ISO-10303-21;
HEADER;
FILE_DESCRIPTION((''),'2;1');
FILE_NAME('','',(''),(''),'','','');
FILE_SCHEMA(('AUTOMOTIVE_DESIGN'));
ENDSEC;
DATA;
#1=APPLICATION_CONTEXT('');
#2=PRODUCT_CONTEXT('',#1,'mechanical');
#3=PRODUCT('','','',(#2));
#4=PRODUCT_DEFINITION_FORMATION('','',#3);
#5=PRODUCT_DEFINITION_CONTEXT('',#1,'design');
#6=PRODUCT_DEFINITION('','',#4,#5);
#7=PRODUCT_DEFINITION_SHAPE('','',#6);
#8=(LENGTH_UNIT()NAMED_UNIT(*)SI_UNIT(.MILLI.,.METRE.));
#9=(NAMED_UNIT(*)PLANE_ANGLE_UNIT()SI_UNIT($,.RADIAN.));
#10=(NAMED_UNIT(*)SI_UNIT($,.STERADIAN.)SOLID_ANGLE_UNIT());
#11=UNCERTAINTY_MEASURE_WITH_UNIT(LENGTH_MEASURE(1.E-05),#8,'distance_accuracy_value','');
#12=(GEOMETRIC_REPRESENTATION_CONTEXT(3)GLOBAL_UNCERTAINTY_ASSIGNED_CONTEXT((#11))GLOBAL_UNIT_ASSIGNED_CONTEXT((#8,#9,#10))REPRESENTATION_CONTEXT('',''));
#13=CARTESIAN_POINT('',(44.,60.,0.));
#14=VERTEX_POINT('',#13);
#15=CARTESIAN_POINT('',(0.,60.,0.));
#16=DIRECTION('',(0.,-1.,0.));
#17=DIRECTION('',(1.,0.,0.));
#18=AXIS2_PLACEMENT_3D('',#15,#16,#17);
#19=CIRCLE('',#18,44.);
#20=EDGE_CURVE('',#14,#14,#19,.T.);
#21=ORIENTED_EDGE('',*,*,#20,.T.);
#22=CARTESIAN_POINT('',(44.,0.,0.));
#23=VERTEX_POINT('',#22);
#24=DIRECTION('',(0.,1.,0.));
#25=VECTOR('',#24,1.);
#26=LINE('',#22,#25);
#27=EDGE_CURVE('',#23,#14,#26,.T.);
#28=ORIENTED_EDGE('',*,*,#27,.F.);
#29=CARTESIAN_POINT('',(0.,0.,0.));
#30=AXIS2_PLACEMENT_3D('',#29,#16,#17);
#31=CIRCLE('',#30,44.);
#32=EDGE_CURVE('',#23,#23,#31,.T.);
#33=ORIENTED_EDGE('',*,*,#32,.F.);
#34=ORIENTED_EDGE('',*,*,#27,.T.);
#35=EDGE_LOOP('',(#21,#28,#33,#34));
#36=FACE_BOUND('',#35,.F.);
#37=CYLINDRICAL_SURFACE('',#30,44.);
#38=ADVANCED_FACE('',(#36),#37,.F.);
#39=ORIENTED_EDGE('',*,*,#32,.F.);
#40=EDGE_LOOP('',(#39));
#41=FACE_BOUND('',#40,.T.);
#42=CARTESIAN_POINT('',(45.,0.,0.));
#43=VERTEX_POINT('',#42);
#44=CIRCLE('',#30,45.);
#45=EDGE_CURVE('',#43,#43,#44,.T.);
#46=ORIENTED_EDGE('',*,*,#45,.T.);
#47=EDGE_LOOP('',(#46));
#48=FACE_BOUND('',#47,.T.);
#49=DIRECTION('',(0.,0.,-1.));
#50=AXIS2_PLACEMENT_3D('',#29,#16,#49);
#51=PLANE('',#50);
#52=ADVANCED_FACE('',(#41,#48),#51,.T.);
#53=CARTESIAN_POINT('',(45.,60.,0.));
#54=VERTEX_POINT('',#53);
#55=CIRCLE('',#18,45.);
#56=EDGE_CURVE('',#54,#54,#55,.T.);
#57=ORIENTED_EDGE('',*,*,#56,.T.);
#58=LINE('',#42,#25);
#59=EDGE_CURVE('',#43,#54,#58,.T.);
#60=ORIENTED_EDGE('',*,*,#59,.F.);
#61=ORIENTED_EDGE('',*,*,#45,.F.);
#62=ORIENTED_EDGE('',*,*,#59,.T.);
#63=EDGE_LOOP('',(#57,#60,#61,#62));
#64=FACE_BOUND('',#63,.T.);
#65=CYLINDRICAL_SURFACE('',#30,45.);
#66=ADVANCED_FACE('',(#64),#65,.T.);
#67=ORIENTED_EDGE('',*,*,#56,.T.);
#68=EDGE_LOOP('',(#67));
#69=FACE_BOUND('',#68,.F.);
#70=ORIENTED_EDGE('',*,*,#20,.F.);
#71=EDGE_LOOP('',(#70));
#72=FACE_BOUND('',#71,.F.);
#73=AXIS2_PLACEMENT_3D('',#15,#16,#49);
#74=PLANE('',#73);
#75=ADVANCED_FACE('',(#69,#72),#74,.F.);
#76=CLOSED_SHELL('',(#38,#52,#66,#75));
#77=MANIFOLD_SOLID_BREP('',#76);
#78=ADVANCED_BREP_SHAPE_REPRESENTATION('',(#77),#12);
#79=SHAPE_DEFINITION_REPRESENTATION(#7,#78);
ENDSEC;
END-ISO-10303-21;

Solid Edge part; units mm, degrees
sketch "Sketch1" plane through (0, 0, 0) normal (0, -1, 0) x (1, 0, 0)
  circle A0 centre (0, 0) radius 44
  circle A1 centre (0, 0) radius 45
  dimension "D1" = 88
  dimension "D2" = 90
extrude "Protrusion1" add sketch "Sketch1" against normal blind 60
